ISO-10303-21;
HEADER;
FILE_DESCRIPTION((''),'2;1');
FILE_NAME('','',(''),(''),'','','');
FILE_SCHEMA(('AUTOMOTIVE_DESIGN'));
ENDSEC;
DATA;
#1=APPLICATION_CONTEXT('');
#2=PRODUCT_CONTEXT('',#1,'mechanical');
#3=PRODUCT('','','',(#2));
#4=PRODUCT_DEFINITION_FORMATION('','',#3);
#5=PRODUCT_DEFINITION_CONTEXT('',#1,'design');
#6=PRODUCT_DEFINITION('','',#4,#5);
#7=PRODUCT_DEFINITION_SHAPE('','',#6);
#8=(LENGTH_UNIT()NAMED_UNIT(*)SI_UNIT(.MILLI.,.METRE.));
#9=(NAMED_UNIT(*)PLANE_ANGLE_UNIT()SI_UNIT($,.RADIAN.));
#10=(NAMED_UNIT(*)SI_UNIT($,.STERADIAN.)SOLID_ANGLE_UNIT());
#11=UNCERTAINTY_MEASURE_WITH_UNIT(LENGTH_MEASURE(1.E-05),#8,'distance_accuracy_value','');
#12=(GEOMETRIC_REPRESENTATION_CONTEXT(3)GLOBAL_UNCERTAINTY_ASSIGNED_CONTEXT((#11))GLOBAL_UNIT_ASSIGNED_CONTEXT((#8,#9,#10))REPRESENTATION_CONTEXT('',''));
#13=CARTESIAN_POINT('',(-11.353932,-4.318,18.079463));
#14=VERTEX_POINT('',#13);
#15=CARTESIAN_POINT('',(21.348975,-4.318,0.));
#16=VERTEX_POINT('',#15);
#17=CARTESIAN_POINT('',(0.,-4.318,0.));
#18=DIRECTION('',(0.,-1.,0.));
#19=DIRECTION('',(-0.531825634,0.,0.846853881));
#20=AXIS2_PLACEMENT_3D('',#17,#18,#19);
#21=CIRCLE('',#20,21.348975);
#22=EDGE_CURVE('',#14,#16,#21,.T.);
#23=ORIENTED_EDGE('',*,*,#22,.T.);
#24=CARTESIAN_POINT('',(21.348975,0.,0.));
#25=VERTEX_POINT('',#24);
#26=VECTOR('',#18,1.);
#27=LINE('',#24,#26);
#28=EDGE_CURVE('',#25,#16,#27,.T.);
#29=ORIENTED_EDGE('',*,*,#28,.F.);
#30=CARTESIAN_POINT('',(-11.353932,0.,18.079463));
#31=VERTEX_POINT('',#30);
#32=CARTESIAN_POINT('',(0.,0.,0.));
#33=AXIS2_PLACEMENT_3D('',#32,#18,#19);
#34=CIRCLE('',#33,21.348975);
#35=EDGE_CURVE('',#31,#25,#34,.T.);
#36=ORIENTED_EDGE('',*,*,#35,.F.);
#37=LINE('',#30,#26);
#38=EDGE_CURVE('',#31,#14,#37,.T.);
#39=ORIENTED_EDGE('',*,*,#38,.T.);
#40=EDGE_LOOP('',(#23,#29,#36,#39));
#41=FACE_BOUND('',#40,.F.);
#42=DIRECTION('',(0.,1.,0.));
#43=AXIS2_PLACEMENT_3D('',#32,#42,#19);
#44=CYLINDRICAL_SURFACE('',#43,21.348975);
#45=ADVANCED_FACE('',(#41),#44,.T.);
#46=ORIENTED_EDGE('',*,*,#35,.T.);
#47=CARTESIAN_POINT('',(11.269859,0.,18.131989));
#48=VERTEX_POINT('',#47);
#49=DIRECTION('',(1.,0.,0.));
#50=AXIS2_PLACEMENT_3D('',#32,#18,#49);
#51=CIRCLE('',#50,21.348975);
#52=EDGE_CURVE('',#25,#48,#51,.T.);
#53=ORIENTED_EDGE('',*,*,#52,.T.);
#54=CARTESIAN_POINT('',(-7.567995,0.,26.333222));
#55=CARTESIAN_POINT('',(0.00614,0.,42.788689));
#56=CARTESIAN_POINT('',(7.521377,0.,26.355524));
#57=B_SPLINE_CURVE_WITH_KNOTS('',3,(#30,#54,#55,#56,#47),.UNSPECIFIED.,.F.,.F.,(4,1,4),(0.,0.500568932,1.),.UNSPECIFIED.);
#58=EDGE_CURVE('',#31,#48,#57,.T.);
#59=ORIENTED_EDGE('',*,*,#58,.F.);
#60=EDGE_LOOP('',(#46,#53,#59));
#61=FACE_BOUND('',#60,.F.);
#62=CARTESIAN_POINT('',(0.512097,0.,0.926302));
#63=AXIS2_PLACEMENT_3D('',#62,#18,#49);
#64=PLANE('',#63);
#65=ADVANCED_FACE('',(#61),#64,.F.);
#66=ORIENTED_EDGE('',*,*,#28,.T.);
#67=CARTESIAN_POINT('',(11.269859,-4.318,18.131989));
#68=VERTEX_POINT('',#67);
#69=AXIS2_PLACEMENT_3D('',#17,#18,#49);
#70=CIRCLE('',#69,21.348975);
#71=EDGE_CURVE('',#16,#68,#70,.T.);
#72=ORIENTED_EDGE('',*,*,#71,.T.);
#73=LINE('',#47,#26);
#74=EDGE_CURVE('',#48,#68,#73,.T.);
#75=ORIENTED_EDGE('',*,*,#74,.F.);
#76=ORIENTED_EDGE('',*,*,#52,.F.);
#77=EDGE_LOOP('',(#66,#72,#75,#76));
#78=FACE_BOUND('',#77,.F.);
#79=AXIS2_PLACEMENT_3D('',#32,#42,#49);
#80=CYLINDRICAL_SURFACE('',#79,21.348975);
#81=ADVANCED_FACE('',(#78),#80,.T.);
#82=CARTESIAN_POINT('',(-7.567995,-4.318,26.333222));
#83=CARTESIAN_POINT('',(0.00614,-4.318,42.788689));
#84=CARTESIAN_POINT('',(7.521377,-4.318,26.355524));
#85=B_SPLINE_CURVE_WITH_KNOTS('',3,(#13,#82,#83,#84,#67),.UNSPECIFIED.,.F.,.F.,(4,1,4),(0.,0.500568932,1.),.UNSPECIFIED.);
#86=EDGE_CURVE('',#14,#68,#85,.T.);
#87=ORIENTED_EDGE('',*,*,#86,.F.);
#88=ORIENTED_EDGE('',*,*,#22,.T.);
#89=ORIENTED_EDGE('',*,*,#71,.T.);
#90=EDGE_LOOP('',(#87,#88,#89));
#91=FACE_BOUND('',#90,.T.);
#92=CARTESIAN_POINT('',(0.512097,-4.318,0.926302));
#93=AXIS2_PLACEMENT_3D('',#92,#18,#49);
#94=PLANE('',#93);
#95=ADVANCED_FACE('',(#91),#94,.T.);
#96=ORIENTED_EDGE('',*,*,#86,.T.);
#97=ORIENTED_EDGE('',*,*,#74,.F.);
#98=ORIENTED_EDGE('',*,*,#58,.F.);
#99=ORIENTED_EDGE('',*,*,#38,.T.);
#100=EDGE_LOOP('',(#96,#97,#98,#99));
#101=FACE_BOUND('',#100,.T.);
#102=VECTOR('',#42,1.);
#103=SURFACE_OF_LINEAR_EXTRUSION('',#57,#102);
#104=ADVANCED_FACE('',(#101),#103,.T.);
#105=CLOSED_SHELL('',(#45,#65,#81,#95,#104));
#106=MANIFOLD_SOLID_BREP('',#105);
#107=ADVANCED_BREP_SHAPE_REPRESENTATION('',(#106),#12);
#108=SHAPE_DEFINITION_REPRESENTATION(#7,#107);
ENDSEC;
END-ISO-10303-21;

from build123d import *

# Parameters (mm, degrees)
F1_DEPTH = 4.318


with BuildPart() as f1:
    # F0 (on Front) → F1 (new body)
    with BuildSketch(Plane.XZ):
        with BuildLine():
            ThreePointArc((-11.3539322916, 18.0794625243), (-10.32918013, -18.6838642012), (21.3489752365, 0))
            ThreePointArc((21.3489752365, 0), (18.6598323369, 10.3725310704), (11.2698590621, 18.1319888696))
            ThreePointArc((11.2698590621, 18.1319888696), (-0.0495664324, 21.3489176966), (-11.3539322916, 18.0794625243))
        make_face()
        with BuildLine():
            ThreePointArc((-11.3539322916, 18.0794625243), (-0.0495664324, 21.3489176966), (11.2698590621, 18.1319888696))
            add(Edge.make_bspline(
                [(-11.3539322916, 18.0794625243), (-7.5679953721, 26.3332218677), (0.0061397894, 42.7886886353), (7.5213765571, 26.355523972), (11.2698590621, 18.1319888696)],
                knots=[0, 0, 0, 0, 0.5005689321, 1, 1, 1, 1], degree=3))
        make_face()
    extrude(amount=F1_DEPTH)


solid = f1.part
